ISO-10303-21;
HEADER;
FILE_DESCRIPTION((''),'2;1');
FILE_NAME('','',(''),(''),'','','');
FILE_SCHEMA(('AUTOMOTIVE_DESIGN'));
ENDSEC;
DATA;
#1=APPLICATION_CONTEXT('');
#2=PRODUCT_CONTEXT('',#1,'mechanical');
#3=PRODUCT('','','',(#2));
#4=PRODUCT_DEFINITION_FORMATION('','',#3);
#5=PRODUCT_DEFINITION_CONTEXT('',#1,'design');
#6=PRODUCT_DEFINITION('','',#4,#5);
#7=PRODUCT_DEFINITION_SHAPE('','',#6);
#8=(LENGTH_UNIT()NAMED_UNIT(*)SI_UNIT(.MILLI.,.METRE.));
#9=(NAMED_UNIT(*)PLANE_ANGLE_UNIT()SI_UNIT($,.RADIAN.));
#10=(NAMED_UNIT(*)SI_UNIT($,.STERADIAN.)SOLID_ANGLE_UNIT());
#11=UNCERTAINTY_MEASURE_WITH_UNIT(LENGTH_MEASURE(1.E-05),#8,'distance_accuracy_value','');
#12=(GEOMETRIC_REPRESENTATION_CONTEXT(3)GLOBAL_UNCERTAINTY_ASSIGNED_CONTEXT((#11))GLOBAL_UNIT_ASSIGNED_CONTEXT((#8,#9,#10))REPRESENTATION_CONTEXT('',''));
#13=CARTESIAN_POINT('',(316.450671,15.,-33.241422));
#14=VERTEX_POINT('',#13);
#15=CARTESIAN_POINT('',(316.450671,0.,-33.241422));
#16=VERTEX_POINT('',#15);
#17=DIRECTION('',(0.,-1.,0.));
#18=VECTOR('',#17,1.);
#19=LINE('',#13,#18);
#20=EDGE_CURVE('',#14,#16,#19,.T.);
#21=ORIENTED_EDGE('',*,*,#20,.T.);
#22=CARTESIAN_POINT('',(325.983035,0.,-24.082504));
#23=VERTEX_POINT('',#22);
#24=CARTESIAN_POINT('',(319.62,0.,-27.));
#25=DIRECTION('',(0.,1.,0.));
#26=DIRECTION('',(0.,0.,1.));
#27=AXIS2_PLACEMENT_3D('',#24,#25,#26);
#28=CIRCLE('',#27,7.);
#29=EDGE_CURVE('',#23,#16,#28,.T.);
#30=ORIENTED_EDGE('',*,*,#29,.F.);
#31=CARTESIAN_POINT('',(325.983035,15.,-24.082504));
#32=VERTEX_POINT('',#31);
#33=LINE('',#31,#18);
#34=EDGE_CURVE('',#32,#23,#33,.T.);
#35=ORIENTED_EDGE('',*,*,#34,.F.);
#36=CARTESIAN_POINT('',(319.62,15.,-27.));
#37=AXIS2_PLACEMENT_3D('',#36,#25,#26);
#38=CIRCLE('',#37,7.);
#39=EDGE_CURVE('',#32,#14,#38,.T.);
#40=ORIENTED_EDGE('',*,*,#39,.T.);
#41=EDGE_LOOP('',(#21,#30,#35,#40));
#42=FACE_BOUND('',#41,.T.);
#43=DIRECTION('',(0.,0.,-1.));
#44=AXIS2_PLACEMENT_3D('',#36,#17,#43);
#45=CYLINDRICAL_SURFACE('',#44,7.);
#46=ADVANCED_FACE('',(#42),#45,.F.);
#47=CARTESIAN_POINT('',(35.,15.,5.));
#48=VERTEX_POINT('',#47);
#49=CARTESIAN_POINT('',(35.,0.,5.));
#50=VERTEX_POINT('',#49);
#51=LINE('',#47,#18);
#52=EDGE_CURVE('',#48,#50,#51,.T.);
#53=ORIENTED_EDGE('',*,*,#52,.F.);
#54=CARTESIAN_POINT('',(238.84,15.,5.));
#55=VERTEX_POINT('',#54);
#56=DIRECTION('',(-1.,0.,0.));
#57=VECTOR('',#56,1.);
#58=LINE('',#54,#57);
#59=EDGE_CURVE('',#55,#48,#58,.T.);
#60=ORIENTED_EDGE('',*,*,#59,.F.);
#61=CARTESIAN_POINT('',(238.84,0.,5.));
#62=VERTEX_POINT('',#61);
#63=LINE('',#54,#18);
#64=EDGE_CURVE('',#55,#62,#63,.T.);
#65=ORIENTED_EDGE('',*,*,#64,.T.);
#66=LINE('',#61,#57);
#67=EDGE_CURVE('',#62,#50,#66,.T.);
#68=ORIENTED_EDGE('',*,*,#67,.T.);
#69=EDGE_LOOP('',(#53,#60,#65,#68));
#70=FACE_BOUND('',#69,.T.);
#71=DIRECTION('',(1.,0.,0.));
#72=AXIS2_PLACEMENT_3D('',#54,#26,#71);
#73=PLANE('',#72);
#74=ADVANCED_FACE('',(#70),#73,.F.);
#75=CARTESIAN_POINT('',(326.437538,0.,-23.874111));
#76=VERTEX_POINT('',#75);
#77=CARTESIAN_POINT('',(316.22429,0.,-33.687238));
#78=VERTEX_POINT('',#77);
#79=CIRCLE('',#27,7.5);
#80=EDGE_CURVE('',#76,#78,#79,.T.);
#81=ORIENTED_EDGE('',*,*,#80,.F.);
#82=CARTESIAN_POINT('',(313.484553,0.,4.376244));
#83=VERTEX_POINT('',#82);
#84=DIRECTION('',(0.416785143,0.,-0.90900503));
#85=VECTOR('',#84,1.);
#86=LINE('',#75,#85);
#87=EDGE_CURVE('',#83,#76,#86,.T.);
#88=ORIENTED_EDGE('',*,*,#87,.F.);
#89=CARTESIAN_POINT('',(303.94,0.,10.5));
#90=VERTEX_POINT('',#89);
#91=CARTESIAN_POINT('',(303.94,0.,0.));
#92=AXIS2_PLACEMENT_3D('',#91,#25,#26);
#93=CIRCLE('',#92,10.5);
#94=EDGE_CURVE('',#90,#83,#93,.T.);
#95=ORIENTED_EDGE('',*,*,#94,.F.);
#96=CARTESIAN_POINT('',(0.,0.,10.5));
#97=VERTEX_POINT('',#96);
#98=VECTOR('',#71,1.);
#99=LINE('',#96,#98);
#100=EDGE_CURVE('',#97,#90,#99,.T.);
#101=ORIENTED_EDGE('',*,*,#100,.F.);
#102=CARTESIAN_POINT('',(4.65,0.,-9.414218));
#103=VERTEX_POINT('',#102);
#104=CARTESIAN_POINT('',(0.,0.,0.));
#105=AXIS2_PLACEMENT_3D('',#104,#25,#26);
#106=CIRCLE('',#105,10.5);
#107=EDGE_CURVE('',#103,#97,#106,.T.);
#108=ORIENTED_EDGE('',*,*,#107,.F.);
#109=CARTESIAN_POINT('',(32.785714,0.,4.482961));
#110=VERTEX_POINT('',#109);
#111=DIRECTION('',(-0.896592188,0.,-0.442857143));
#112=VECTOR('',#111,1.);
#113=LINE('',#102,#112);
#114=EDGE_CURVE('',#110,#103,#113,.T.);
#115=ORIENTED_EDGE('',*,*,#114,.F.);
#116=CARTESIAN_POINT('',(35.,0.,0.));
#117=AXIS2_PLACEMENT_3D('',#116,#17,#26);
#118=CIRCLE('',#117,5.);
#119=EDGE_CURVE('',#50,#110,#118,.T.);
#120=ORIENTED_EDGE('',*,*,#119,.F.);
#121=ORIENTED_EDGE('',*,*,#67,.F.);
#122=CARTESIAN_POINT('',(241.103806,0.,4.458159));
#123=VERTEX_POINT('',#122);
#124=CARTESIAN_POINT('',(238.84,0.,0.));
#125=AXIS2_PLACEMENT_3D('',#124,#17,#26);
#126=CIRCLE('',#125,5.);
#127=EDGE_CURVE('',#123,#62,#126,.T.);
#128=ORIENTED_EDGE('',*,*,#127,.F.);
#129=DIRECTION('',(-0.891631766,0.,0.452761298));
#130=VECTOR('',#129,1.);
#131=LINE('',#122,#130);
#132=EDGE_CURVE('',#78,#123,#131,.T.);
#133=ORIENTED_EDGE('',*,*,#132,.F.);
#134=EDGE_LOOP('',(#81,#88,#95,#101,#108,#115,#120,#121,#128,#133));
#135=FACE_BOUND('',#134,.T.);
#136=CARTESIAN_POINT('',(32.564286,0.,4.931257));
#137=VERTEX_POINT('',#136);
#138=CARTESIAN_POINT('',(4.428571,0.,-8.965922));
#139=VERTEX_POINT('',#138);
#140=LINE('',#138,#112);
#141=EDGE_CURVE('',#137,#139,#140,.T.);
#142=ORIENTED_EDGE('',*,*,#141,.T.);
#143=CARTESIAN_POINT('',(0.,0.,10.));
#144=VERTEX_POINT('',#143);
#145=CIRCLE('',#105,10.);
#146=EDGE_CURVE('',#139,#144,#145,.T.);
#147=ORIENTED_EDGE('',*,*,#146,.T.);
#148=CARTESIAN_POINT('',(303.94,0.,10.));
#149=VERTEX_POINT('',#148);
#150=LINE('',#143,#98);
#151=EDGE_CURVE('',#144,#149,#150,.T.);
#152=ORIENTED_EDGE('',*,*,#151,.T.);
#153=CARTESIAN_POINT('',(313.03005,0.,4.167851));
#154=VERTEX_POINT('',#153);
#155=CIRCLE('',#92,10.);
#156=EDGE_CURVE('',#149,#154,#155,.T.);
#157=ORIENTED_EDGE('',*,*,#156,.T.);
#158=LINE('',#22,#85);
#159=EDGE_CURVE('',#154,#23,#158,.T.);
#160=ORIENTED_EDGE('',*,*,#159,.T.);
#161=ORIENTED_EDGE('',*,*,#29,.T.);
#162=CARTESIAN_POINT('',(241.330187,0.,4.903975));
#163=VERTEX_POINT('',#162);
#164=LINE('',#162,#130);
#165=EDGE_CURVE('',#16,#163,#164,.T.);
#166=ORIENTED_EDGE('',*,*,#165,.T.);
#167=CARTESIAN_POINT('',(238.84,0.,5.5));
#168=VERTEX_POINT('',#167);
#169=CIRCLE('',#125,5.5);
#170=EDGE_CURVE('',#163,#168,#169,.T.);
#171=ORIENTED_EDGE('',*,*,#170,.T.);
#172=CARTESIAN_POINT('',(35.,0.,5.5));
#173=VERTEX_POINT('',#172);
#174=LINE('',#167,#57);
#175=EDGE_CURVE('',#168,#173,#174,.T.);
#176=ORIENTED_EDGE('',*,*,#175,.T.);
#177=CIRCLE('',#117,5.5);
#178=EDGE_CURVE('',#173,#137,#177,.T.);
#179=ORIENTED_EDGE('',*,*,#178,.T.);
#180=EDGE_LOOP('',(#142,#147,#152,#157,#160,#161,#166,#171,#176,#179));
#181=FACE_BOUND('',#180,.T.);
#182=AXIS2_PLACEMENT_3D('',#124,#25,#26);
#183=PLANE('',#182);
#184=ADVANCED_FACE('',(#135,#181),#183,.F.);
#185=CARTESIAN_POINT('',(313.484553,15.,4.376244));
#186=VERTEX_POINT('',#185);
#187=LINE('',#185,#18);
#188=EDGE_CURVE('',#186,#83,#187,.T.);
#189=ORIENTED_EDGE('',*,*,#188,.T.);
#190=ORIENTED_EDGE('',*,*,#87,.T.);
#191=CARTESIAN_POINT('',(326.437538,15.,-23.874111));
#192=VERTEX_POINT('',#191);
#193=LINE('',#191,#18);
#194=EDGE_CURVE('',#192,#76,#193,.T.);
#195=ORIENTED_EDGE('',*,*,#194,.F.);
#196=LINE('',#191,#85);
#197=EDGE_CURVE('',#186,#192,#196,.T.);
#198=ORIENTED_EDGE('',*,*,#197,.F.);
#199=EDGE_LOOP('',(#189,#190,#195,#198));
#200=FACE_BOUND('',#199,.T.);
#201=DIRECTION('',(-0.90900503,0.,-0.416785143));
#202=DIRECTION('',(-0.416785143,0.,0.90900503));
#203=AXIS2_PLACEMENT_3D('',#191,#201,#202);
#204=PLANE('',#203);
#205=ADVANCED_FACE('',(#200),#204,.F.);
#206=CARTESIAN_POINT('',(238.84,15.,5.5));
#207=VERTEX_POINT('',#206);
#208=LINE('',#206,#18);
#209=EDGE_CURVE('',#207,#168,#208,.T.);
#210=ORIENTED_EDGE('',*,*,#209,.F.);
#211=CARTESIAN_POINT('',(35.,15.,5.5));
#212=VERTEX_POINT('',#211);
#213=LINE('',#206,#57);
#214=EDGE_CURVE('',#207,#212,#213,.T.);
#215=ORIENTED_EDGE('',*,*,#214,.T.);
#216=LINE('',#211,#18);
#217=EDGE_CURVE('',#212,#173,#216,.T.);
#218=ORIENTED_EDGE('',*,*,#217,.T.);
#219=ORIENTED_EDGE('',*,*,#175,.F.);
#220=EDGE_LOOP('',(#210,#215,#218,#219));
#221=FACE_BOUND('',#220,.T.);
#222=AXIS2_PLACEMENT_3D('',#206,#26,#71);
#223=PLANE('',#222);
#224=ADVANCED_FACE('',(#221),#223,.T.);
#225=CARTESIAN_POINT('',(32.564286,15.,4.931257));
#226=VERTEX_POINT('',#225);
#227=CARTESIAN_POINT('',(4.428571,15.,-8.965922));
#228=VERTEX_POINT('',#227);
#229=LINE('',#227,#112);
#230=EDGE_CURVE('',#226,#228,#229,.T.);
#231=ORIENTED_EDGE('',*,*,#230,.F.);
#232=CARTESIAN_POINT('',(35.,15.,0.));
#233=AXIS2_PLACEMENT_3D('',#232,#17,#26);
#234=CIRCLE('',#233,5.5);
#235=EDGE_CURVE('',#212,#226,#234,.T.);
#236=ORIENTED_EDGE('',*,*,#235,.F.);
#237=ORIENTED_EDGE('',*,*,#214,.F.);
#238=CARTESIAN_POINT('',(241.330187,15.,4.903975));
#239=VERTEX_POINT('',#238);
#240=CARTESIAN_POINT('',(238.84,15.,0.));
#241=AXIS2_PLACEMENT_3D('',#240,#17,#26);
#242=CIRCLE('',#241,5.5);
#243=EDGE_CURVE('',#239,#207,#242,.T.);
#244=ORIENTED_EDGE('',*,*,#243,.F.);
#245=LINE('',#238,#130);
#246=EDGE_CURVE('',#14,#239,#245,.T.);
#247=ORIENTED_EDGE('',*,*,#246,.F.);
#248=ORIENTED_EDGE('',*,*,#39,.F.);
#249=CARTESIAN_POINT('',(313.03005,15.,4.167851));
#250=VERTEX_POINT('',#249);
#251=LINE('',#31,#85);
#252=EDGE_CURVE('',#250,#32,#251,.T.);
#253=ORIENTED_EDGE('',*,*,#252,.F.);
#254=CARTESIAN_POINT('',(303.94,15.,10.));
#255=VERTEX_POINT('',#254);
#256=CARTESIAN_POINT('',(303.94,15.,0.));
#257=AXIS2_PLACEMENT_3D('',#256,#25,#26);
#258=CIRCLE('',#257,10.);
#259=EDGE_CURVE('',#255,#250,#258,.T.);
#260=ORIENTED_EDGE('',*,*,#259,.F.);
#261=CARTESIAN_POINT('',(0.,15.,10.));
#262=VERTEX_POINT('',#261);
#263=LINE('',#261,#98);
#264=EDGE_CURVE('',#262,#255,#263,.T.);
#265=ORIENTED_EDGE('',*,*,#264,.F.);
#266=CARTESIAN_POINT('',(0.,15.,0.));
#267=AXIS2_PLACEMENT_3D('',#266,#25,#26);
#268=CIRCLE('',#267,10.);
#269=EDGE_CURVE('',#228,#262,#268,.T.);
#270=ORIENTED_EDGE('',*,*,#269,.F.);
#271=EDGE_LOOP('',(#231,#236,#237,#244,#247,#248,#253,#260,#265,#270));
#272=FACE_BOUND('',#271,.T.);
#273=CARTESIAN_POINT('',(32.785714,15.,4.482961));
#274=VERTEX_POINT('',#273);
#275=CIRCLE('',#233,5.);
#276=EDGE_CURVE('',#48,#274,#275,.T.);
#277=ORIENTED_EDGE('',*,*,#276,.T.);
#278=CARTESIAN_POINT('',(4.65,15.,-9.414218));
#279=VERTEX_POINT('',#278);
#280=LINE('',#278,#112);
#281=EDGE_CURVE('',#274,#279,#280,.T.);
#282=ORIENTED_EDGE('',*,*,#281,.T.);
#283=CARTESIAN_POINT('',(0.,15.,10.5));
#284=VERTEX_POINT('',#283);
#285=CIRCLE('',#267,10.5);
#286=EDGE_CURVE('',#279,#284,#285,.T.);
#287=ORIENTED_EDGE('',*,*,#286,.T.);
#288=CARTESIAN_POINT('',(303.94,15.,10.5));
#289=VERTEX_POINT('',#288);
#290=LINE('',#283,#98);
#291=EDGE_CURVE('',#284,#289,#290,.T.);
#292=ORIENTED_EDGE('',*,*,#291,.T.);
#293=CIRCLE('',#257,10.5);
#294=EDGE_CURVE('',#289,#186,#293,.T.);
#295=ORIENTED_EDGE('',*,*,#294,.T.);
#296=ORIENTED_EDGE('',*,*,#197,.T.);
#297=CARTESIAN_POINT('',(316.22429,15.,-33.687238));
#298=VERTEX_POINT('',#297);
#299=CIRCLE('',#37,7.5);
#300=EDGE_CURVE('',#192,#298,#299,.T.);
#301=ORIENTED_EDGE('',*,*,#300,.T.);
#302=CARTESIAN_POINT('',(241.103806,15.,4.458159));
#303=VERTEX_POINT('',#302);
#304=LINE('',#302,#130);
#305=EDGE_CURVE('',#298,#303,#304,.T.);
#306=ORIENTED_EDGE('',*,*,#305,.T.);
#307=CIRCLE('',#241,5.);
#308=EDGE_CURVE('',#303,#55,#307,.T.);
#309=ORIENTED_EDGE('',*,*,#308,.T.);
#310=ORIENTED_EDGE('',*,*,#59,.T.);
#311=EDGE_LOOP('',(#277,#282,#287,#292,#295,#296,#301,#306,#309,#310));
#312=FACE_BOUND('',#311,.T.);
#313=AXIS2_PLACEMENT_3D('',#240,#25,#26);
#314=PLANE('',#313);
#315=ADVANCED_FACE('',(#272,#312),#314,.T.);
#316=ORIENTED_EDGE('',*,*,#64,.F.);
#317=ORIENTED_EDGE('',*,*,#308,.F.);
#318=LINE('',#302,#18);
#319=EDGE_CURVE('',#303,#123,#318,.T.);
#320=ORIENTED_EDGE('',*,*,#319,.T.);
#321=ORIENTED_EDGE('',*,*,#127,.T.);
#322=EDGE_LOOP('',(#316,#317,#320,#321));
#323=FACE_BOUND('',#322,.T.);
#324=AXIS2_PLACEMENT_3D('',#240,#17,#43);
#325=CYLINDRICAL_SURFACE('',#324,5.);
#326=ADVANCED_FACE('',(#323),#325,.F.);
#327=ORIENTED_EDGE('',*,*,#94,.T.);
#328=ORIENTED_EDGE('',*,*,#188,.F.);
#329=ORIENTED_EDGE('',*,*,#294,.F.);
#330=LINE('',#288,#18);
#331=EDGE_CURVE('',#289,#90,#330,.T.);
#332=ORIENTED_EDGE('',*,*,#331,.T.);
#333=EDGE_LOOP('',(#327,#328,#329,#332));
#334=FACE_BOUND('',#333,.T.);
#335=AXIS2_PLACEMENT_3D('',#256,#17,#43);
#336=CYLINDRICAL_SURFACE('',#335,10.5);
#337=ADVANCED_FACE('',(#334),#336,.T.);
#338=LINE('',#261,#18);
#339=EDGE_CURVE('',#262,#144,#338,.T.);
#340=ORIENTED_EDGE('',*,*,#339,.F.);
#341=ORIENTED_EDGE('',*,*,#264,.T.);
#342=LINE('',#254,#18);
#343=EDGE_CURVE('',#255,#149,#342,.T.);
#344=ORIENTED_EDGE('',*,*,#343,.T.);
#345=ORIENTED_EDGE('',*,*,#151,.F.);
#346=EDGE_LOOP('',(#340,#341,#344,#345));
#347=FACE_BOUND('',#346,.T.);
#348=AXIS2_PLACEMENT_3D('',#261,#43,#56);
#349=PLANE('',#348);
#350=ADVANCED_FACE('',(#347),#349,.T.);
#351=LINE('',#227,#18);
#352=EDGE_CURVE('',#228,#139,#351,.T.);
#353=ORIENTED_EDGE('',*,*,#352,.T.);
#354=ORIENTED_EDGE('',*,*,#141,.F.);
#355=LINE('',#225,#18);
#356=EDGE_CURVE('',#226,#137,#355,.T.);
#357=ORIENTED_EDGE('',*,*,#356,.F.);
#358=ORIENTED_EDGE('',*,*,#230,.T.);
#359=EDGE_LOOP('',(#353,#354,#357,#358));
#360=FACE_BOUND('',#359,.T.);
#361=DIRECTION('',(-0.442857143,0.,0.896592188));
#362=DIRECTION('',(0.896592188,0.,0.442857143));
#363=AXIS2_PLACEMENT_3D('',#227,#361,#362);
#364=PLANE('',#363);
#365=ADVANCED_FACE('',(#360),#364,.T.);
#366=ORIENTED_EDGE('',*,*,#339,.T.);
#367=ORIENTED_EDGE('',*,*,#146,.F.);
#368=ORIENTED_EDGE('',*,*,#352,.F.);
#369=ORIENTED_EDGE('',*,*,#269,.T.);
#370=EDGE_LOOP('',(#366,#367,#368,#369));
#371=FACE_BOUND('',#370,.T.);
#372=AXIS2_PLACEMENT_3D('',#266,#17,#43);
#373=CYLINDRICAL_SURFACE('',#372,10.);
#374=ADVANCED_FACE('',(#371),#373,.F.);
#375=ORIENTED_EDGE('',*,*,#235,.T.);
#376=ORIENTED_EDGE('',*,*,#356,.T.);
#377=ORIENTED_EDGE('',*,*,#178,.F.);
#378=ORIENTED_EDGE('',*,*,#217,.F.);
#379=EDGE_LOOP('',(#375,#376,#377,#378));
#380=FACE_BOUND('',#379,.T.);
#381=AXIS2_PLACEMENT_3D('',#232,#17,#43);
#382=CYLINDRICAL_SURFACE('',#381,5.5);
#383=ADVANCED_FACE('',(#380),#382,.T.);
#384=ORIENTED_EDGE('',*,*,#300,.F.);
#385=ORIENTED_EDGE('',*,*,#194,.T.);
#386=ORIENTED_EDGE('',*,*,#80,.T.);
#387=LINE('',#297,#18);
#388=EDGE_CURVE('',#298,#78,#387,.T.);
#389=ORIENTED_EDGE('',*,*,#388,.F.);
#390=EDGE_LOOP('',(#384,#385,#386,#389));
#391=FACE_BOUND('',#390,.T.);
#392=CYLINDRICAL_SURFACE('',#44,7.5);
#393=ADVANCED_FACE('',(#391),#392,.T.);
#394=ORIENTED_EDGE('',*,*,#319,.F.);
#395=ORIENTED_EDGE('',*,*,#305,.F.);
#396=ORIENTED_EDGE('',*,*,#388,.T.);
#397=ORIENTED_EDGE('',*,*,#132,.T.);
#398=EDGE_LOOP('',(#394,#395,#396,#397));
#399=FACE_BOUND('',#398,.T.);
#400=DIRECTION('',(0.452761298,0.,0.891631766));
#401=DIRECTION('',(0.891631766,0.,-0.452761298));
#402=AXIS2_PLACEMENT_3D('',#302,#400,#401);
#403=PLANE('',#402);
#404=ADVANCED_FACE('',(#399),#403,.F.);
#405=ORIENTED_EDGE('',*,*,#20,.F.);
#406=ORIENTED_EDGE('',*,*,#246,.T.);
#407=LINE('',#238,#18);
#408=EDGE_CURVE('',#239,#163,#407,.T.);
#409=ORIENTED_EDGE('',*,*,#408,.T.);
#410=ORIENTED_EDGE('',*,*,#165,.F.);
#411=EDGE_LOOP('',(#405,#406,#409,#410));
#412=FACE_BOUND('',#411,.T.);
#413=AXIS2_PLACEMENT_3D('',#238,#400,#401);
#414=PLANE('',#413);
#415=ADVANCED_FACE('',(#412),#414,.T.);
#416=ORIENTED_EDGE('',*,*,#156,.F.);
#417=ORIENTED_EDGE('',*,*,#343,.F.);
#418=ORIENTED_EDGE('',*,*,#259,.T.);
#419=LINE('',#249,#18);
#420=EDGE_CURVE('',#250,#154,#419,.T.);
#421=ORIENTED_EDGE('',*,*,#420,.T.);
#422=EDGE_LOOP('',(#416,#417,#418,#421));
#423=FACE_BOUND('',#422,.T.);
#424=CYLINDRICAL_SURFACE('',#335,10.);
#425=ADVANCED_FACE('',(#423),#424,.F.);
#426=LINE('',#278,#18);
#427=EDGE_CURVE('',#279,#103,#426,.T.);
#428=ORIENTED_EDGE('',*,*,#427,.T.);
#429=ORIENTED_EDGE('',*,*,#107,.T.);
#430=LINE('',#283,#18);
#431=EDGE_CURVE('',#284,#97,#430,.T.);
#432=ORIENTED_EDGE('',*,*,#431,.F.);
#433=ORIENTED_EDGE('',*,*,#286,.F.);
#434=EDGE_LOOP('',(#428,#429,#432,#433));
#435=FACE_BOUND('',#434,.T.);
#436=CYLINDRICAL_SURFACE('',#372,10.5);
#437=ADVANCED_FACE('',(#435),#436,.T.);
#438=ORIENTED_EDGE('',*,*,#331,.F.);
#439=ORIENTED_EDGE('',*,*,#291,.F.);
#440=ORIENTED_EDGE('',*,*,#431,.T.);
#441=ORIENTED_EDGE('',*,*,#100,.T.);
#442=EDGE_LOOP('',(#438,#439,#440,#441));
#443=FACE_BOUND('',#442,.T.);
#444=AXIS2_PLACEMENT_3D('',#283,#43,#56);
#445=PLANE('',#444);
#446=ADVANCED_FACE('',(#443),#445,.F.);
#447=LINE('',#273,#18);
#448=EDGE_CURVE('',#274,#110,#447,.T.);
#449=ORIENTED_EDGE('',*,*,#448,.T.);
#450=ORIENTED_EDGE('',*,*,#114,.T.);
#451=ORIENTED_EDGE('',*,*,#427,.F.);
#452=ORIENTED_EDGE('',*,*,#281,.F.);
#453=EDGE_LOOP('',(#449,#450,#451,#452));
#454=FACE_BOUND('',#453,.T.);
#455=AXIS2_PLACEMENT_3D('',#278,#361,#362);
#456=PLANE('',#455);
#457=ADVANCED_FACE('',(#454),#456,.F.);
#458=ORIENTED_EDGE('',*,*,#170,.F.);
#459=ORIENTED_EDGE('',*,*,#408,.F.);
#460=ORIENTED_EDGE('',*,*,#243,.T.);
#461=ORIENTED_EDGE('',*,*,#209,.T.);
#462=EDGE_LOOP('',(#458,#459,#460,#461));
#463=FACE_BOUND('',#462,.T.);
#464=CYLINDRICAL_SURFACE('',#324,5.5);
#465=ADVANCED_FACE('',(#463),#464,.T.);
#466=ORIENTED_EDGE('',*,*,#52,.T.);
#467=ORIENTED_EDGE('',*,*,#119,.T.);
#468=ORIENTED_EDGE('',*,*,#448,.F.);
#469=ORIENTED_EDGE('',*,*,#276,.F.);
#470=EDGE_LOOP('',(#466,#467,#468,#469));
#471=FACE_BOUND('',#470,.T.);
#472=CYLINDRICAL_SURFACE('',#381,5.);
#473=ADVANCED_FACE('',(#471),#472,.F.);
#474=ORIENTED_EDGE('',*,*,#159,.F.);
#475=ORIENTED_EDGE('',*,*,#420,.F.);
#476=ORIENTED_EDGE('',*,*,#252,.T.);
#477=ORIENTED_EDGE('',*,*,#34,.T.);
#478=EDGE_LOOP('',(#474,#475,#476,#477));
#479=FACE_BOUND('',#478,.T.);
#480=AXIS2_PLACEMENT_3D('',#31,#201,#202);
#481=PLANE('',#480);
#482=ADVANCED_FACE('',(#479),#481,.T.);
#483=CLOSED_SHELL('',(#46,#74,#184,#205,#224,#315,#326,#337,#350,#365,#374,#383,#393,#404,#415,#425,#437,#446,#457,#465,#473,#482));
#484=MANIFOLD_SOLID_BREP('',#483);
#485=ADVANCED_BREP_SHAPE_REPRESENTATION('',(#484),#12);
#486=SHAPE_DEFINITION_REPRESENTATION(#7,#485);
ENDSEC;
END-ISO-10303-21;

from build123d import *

# Parameters (mm, degrees)
BOSS_EXTRUDE1_DEPTH = 15


with BuildPart() as part:
    # Sketch1 → Boss-Extrude1 (new body)
    with BuildSketch(Plane(origin=(0, 0, 0), x_dir=(1, 0, 0), z_dir=(0, 1, 0))):
        with BuildLine():
            Line((238.84, -5), (35, -5))
            ThreePointArc((35, -5), (33.863075353, -4.869024784), (32.785714286, -4.482960938))
            Line((32.785714286, -4.482960938), (4.65, 9.414217971))
            ThreePointArc((4.65, 9.414217971), (-10.224952046, 2.38754176), (0, -10.5))
            Line((0, -10.5), (303.94, -10.5))
            ThreePointArc((303.94, -10.5), (309.61007222, -8.837436338), (313.484552814, -4.376244004))
            Line((313.484552814, -4.376244004), (326.437537724, 23.874111425))
            ThreePointArc((326.437537724, 23.874111425), (324.816305533, 32.408179805), (316.224290262, 33.687238247))
            Line((316.224290262, 33.687238247), (241.103806492, -4.458158831))
            ThreePointArc((241.103806492, -4.458158831), (240.0038741, -4.862653296), (238.84, -5))
        make_face()
        with BuildLine():
            Line((0, -10), (303.94, -10))
            ThreePointArc((303.94, -10), (309.340068781, -8.416606036), (313.030050299, -4.167851433))
            Line((313.030050299, -4.167851433), (325.983035209, 24.082503997))
            ThreePointArc((325.983035209, 24.082503997), (324.469885164, 32.047634485), (316.450670911, 33.241422364))
            Line((316.450670911, 33.241422364), (241.330187142, -4.903974714))
            ThreePointArc((241.330187142, -4.903974714), (240.12026151, -5.348918626), (238.84, -5.5))
            Line((238.84, -5.5), (35, -5.5))
            ThreePointArc((35, -5.5), (33.749382888, -5.355927262), (32.564285714, -4.931257032))
            Line((32.564285714, -4.931257032), (4.428571429, 8.965921877))
            ThreePointArc((4.428571429, 8.965921877), (-9.738049568, 2.273849295), (0, -10))
        make_face(mode=Mode.SUBTRACT)
    extrude(amount=BOSS_EXTRUDE1_DEPTH)


solid = part.part
